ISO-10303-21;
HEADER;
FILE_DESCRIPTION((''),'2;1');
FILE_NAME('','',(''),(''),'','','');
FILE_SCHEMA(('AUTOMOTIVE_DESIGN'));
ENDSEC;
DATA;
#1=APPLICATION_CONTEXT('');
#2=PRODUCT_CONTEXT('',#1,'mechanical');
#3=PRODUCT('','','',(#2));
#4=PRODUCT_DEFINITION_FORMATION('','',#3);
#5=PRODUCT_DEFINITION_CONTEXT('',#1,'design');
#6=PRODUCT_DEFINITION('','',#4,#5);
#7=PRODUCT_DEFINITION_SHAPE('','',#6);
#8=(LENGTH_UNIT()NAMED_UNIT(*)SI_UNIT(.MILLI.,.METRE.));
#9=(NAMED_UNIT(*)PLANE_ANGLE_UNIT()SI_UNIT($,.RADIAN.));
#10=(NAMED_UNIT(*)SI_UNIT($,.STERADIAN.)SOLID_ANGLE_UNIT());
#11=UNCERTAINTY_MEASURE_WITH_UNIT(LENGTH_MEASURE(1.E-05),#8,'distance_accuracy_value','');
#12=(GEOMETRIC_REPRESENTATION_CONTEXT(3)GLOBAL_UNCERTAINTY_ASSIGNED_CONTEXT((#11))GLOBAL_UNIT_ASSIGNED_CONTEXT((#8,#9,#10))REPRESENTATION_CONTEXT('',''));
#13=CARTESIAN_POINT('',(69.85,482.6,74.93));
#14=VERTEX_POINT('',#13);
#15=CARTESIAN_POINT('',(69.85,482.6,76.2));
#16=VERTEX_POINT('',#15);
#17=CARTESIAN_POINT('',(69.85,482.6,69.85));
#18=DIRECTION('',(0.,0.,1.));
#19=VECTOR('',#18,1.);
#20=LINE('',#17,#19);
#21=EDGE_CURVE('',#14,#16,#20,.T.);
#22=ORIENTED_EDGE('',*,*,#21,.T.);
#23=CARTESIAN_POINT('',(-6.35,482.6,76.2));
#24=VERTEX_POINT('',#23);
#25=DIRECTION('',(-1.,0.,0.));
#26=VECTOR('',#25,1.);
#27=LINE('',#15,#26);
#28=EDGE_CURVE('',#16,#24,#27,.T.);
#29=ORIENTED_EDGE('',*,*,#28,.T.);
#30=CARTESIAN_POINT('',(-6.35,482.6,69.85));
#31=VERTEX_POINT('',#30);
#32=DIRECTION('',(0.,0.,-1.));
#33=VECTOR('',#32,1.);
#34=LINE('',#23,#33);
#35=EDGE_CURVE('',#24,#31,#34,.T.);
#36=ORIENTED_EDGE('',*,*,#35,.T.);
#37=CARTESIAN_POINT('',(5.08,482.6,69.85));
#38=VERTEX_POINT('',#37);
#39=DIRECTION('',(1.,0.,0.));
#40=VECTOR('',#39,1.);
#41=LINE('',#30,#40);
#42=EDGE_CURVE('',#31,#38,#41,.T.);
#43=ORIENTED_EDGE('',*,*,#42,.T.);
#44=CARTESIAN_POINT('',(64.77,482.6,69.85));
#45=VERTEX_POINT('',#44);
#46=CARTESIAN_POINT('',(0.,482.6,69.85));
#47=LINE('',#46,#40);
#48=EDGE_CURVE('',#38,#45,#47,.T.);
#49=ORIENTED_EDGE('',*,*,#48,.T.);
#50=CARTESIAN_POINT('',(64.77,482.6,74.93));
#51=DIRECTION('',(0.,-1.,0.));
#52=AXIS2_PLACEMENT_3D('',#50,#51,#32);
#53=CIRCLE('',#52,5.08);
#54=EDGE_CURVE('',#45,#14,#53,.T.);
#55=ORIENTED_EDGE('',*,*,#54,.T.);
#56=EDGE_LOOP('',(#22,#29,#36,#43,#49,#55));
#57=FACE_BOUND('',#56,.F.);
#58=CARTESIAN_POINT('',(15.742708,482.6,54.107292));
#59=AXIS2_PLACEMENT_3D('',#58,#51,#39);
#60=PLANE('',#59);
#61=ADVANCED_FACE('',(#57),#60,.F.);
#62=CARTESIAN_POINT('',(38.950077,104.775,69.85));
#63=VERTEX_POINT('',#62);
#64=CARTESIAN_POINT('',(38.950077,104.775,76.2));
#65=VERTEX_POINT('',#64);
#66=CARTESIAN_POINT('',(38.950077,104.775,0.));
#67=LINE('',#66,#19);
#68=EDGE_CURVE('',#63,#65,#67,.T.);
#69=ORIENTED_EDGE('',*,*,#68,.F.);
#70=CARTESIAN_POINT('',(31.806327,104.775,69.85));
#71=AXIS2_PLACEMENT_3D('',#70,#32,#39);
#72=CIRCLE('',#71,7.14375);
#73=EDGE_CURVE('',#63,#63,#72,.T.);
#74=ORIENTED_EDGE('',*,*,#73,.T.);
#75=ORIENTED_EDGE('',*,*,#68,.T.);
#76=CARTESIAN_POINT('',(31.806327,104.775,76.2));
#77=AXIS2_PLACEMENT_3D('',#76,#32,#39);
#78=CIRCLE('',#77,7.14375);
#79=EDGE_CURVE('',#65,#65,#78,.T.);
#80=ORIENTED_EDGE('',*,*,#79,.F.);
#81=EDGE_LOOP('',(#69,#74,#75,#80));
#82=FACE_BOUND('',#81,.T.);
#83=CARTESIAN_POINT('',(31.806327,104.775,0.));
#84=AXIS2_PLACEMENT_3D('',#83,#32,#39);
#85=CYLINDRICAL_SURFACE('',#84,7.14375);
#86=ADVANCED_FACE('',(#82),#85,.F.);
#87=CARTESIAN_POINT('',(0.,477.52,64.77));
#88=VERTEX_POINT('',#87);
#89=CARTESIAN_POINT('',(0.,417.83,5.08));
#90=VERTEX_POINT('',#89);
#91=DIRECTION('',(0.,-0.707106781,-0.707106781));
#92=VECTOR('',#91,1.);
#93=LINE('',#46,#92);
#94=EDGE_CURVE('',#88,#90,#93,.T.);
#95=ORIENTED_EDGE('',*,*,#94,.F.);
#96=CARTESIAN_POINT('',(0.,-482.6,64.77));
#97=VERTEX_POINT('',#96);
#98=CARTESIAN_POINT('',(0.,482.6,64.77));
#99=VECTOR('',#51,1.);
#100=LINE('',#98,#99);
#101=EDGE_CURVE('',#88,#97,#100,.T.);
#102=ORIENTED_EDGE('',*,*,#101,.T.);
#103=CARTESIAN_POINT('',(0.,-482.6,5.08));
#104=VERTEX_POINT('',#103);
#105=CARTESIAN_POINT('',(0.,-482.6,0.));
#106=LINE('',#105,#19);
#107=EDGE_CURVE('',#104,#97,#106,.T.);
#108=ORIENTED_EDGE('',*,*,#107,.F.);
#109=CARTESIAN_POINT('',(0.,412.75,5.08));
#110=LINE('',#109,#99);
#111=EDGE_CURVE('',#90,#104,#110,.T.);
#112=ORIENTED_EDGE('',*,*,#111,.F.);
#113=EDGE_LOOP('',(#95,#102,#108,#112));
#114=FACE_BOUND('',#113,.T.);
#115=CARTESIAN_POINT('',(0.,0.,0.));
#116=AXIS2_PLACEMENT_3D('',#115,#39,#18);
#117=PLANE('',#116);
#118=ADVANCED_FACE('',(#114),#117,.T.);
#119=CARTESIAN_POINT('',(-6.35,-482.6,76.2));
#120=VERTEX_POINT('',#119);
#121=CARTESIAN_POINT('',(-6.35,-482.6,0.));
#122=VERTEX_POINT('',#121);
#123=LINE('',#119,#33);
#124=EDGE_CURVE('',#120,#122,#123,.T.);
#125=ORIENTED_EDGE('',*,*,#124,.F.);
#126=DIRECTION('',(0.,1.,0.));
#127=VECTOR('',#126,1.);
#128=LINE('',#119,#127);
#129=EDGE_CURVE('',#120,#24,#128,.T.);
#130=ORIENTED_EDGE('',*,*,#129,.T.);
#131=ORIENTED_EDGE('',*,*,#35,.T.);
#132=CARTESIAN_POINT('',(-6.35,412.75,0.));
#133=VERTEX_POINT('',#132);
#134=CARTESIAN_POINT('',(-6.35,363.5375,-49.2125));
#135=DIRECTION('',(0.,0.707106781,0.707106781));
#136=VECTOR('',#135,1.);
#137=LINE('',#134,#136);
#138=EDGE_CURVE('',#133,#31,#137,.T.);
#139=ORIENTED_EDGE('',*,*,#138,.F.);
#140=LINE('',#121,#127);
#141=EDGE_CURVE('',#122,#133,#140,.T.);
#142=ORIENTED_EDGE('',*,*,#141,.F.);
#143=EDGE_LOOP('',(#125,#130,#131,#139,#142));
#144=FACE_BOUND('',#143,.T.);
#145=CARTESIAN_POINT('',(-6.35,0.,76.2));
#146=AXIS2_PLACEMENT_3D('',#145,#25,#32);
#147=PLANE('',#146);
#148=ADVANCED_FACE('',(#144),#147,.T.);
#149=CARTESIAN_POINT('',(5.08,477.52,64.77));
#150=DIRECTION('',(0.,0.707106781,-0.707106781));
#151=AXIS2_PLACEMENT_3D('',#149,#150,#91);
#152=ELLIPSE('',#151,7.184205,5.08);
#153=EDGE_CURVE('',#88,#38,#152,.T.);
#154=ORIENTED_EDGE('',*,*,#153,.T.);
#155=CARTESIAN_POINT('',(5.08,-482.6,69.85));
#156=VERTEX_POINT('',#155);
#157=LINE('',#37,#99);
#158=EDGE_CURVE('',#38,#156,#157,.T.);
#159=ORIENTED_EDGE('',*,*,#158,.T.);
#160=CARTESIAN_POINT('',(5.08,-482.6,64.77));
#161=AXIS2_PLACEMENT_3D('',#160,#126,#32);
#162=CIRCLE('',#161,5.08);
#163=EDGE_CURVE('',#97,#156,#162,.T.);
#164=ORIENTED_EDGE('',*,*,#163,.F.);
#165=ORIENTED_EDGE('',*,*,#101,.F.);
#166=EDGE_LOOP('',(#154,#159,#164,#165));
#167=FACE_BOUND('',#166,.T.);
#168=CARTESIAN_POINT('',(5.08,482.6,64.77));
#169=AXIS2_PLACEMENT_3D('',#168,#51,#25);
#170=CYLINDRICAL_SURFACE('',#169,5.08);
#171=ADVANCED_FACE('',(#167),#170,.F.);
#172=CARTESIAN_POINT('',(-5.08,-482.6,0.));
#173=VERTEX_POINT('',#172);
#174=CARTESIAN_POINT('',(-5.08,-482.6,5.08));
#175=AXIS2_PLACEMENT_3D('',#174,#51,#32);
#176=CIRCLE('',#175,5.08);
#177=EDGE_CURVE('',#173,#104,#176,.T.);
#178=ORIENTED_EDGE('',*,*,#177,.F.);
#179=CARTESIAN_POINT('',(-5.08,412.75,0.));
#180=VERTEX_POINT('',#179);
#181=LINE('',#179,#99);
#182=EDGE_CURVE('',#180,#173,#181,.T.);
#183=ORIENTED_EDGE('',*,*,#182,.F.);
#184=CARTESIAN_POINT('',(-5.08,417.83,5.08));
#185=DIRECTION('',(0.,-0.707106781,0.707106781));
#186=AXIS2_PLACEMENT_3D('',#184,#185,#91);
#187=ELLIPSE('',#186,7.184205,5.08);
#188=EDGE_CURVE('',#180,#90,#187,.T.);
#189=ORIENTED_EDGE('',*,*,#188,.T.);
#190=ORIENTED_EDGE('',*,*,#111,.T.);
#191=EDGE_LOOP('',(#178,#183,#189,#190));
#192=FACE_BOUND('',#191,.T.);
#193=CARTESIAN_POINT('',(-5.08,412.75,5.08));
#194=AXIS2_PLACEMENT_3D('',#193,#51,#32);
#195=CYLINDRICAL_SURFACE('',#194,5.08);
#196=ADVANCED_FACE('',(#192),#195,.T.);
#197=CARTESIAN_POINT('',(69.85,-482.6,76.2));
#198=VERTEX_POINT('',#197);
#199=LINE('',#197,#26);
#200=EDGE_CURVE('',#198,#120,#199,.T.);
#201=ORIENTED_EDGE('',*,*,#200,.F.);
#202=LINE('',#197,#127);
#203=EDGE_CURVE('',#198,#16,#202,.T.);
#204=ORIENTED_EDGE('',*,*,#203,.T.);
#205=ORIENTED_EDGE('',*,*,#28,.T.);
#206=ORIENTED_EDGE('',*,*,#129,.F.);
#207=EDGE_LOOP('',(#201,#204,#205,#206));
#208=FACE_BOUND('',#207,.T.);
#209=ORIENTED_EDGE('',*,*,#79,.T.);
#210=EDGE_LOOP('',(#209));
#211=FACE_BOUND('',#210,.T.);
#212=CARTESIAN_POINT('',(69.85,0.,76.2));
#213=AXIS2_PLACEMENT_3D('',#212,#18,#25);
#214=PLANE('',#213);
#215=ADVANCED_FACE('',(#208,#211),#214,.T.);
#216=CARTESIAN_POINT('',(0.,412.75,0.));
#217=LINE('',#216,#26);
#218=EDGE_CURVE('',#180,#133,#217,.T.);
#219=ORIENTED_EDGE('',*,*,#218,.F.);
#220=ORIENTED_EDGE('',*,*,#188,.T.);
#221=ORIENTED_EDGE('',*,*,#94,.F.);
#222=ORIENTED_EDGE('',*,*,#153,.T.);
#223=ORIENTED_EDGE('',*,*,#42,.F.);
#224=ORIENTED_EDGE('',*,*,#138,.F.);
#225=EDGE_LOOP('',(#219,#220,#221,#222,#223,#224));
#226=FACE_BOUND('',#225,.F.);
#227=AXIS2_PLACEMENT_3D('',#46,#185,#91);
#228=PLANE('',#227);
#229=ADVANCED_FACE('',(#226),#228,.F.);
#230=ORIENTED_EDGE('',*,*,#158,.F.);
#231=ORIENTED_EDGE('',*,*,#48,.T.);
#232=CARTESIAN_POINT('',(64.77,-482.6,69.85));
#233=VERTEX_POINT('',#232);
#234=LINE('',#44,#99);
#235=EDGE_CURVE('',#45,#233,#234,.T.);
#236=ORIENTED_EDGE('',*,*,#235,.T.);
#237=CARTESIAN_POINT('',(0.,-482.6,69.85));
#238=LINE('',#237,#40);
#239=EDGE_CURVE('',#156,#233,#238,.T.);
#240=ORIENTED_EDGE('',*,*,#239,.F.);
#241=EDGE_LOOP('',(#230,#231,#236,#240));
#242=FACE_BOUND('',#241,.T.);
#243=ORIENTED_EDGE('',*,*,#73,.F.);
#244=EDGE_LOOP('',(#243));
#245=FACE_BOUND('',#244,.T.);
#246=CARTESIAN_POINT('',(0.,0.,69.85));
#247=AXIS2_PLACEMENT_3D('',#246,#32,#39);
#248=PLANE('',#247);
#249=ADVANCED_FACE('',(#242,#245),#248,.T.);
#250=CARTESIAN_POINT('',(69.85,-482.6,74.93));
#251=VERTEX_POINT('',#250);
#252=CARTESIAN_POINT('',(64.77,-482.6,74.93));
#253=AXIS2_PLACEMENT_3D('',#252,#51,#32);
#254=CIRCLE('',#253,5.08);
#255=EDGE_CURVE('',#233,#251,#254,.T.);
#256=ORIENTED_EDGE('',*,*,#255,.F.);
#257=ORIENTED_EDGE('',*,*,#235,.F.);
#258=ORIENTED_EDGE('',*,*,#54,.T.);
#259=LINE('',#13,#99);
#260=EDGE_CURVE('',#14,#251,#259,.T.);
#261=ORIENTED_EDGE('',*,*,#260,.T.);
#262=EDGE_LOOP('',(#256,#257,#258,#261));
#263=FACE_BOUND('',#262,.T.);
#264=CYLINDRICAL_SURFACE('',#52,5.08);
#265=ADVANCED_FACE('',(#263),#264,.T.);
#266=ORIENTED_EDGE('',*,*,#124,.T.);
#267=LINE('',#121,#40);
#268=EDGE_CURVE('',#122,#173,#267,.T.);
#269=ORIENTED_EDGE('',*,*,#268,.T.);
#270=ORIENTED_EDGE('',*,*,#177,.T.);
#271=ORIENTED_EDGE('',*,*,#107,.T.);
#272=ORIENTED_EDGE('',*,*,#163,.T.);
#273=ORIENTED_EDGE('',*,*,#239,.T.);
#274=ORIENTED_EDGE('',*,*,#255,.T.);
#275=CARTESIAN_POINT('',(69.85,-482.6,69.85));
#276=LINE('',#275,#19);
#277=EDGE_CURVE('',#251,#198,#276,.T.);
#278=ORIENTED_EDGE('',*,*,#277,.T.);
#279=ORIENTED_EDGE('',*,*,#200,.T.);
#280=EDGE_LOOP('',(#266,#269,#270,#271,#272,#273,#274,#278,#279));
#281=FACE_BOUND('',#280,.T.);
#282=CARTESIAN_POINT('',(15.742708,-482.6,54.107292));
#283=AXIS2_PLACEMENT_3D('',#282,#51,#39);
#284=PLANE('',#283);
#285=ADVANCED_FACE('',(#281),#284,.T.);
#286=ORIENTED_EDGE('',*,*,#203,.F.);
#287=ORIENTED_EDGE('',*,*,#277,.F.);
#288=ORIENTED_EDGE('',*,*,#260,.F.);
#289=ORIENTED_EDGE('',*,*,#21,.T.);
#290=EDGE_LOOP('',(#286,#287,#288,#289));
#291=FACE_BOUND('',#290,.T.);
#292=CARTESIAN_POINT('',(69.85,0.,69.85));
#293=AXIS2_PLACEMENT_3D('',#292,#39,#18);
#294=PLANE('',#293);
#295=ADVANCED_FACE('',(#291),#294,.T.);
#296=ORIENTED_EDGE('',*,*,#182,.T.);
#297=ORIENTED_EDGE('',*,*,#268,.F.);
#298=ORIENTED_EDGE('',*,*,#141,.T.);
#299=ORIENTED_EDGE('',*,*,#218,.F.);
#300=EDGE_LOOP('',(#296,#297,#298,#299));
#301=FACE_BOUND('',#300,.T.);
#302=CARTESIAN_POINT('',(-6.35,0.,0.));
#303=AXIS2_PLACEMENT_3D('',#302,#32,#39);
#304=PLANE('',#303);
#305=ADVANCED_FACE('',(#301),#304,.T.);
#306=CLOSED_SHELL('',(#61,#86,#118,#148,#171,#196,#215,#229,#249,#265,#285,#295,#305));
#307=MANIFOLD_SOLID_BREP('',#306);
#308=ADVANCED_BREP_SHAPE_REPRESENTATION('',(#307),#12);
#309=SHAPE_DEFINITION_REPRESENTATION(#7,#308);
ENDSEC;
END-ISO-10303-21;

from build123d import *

# Parameters (mm, degrees)
F1_DEPTH = 482.6
F3_DEPTH = 6.351
F5_R     = 5.08
F4_R     = 7.14375
F6_DEPTH = 101.6


with BuildPart() as f1:
    # F0 (on Front) → F1 (new body, symmetric)
    with BuildSketch(Plane.XZ):
        Polygon((-6.35, 0), (0, 0), (0, 69.85), (69.85, 69.85), (69.85, 76.2), (-6.35, 76.2), align=None)
    extrude(amount=F1_DEPTH, both=True)

    # F2 (on Right) → F3 (cut, through all)
    with BuildSketch(Plane.YZ):
        Polygon((482.6, 0), (482.6, 69.85), (412.75, 0), align=None)
    extrude(amount=-F3_DEPTH, mode=Mode.SUBTRACT)

    # F5
    f5_edges = [f1.edges().sort_by_distance(p)[0] for p in [
        (0, 0, 69.85),
        (69.85, 0, 69.85),
        (0, -34.925, 0),
    ]]
    fillet(f5_edges, radius=F5_R)

    # F4 (on Top) → F6 (cut)
    with BuildSketch(Plane.XY):
        with Locations((31.806327, 104.775)):
            Circle(F4_R)
    extrude(amount=F6_DEPTH, mode=Mode.SUBTRACT)


solid = f1.part
